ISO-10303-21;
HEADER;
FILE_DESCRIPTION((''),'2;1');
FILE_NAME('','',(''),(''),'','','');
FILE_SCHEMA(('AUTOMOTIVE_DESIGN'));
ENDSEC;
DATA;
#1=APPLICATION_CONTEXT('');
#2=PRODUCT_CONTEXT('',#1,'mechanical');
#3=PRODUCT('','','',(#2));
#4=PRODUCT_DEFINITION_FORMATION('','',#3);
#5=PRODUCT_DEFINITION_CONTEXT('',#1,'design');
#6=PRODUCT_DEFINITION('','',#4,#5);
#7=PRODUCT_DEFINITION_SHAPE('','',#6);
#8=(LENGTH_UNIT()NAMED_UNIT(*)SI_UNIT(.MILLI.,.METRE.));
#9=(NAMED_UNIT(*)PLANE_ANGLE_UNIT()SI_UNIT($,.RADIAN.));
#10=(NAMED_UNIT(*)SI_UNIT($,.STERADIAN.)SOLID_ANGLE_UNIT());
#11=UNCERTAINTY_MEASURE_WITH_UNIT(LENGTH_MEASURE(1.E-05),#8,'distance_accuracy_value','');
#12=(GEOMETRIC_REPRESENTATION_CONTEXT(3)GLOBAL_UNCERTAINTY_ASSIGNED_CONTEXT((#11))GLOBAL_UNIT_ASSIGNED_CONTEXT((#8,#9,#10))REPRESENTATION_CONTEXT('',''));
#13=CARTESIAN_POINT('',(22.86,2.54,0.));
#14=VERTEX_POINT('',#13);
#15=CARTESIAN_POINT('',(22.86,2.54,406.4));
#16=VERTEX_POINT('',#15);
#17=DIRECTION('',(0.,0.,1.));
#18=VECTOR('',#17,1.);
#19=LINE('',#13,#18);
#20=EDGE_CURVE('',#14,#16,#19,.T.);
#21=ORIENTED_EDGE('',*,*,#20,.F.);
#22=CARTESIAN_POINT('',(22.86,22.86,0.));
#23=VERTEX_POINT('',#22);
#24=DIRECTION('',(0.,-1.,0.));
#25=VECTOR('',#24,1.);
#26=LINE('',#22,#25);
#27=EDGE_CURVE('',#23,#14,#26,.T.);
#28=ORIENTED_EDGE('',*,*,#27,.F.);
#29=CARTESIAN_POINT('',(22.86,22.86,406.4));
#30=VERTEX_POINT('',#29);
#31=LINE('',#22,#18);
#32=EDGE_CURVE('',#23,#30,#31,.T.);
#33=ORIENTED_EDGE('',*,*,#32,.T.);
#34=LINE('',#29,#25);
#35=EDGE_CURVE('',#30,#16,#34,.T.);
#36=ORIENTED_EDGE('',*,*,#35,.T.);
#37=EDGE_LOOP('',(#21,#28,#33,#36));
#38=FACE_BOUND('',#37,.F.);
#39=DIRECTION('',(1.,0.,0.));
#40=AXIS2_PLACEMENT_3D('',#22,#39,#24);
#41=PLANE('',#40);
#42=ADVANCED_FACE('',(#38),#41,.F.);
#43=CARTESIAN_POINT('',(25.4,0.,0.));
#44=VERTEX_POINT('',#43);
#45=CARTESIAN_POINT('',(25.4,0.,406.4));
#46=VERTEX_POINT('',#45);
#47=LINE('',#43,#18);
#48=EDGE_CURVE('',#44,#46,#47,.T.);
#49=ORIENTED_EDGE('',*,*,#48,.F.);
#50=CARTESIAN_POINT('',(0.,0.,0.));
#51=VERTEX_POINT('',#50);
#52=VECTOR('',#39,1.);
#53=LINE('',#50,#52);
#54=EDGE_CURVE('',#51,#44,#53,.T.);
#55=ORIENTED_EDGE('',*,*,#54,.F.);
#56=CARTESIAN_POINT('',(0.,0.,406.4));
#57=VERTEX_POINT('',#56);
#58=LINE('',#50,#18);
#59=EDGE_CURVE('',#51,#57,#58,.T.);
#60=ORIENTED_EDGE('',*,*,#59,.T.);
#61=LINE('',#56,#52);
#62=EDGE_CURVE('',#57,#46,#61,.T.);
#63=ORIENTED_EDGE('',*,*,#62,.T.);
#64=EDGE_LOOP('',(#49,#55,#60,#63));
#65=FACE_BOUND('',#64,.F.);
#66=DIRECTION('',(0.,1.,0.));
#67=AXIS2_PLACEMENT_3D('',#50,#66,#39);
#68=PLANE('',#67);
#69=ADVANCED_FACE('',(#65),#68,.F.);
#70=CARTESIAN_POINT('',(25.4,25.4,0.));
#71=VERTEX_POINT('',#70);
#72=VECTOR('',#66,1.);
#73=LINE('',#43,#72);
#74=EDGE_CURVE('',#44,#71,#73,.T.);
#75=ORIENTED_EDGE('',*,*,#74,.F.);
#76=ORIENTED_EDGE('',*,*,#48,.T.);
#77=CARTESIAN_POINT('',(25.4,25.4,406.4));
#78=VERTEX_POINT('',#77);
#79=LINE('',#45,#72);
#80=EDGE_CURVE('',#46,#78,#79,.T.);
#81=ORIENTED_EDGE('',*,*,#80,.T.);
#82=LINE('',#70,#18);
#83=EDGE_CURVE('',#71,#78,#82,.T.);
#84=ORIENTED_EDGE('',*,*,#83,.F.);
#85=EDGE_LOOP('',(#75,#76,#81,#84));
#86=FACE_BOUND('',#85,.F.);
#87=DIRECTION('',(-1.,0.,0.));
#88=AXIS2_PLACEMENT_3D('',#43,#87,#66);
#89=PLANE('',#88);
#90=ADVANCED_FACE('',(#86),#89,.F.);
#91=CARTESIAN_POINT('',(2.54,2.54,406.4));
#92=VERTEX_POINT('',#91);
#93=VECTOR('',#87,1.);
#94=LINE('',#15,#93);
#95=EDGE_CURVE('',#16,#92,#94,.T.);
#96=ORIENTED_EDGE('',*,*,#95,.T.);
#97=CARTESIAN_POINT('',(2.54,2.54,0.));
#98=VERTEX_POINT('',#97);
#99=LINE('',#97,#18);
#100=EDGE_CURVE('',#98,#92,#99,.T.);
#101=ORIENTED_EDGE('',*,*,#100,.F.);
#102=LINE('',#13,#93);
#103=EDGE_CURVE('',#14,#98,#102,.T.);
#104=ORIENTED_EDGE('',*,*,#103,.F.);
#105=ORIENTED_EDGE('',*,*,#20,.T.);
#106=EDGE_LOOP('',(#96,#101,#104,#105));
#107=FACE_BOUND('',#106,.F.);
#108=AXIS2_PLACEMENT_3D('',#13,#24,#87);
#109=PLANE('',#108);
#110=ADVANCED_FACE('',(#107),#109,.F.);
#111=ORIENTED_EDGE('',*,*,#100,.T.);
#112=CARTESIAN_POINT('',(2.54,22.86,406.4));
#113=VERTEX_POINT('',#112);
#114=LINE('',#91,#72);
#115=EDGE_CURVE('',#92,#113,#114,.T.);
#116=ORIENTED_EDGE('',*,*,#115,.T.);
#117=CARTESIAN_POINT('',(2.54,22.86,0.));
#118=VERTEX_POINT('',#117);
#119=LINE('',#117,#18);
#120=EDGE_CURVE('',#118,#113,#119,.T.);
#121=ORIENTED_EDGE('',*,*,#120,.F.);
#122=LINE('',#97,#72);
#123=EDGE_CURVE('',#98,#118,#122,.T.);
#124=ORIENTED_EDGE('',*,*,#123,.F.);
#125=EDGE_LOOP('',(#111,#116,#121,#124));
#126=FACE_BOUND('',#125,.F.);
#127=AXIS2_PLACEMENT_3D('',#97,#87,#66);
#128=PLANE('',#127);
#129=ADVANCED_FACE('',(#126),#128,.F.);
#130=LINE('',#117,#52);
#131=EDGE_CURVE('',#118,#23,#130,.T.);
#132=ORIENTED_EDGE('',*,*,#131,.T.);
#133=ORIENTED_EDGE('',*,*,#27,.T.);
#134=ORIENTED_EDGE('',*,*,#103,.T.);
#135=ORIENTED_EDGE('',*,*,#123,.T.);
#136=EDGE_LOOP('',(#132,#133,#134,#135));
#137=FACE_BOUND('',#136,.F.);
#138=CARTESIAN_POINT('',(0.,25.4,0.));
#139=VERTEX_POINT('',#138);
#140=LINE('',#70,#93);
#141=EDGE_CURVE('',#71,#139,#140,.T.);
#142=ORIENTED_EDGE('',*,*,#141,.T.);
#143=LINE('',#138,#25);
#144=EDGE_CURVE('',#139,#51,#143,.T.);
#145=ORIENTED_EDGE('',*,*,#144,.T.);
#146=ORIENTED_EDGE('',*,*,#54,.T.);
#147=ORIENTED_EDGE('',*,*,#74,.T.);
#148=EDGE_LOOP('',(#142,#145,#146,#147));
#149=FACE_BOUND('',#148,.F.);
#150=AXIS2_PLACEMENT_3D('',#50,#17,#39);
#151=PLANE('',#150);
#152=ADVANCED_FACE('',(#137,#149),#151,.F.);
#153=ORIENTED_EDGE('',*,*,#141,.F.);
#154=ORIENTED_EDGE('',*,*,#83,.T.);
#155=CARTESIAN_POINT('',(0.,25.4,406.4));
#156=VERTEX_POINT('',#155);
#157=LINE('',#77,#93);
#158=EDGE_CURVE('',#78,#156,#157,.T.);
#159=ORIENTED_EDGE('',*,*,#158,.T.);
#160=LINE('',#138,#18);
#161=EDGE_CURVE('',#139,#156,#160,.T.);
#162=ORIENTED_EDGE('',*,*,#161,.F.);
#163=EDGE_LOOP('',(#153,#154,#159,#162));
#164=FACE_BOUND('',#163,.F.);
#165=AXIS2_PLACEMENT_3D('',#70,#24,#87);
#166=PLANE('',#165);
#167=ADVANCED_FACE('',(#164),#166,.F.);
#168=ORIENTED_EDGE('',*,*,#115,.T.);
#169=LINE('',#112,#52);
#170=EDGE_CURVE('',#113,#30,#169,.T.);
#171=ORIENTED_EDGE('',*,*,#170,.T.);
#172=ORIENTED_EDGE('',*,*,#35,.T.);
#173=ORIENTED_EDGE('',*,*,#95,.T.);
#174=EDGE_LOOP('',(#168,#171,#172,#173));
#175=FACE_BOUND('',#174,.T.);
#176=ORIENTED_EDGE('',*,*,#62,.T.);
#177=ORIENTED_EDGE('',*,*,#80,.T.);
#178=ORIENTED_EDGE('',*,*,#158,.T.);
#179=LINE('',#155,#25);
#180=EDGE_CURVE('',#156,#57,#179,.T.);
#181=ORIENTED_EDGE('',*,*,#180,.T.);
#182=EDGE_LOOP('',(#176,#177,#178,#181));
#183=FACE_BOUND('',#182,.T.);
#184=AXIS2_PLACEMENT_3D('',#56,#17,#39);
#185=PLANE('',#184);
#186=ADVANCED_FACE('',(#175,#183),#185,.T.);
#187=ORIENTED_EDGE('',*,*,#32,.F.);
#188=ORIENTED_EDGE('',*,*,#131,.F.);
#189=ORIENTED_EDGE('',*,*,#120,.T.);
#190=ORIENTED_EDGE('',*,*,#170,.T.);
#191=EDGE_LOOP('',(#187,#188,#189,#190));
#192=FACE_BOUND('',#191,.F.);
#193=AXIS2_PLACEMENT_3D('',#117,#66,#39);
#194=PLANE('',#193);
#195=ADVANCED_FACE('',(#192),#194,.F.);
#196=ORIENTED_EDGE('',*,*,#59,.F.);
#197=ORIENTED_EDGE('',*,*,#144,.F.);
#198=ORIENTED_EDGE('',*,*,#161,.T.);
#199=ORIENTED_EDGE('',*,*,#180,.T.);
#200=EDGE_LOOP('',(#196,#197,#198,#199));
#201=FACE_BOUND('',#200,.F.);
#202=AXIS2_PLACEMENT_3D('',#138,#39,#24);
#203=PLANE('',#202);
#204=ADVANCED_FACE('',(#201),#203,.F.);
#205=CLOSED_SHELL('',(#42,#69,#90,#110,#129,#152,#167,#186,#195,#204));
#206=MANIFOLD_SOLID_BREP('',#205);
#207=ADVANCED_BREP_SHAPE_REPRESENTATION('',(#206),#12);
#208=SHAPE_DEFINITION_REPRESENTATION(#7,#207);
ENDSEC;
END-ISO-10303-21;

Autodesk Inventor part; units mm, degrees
ref_plane "YZ Plane" through (0, 0, 0) normal (1, 0, 0) x (0, 1, 0)
ref_plane "XZ Plane" through (0, 0, 0) normal (0, 1, 0) x (-1, 0, 0)
ref_plane "XY Plane" through (0, 0, 0) normal (0, 0, 1) x (1, 0, 0)
sketch "Sketch1" plane through (0, 0, 0) normal (0, 0, 1) x (1, 0, 0)
  line L0 (0, 0) -> (25.4, 0)
  line L1 (25.4, 0) -> (25.4, 25.4)
  line L2 (25.4, 25.4) -> (0, 25.4)
  line L3 (0, 25.4) -> (0, 0)
  line L4 (22.86, 2.54) -> (2.54, 2.54)
  line L5 (2.54, 2.54) -> (2.54, 22.86)
  line L6 (2.54, 22.86) -> (22.86, 22.86)
  line L7 (22.86, 22.86) -> (22.86, 2.54)
  dimension "d0" = 25.4
  dimension "d1" = 25.4
  dimension "d2" = 2.54
extrude "Extrusion1" add sketch "Sketch1" along normal blind 406.4
properties part number "Vertical lift"
